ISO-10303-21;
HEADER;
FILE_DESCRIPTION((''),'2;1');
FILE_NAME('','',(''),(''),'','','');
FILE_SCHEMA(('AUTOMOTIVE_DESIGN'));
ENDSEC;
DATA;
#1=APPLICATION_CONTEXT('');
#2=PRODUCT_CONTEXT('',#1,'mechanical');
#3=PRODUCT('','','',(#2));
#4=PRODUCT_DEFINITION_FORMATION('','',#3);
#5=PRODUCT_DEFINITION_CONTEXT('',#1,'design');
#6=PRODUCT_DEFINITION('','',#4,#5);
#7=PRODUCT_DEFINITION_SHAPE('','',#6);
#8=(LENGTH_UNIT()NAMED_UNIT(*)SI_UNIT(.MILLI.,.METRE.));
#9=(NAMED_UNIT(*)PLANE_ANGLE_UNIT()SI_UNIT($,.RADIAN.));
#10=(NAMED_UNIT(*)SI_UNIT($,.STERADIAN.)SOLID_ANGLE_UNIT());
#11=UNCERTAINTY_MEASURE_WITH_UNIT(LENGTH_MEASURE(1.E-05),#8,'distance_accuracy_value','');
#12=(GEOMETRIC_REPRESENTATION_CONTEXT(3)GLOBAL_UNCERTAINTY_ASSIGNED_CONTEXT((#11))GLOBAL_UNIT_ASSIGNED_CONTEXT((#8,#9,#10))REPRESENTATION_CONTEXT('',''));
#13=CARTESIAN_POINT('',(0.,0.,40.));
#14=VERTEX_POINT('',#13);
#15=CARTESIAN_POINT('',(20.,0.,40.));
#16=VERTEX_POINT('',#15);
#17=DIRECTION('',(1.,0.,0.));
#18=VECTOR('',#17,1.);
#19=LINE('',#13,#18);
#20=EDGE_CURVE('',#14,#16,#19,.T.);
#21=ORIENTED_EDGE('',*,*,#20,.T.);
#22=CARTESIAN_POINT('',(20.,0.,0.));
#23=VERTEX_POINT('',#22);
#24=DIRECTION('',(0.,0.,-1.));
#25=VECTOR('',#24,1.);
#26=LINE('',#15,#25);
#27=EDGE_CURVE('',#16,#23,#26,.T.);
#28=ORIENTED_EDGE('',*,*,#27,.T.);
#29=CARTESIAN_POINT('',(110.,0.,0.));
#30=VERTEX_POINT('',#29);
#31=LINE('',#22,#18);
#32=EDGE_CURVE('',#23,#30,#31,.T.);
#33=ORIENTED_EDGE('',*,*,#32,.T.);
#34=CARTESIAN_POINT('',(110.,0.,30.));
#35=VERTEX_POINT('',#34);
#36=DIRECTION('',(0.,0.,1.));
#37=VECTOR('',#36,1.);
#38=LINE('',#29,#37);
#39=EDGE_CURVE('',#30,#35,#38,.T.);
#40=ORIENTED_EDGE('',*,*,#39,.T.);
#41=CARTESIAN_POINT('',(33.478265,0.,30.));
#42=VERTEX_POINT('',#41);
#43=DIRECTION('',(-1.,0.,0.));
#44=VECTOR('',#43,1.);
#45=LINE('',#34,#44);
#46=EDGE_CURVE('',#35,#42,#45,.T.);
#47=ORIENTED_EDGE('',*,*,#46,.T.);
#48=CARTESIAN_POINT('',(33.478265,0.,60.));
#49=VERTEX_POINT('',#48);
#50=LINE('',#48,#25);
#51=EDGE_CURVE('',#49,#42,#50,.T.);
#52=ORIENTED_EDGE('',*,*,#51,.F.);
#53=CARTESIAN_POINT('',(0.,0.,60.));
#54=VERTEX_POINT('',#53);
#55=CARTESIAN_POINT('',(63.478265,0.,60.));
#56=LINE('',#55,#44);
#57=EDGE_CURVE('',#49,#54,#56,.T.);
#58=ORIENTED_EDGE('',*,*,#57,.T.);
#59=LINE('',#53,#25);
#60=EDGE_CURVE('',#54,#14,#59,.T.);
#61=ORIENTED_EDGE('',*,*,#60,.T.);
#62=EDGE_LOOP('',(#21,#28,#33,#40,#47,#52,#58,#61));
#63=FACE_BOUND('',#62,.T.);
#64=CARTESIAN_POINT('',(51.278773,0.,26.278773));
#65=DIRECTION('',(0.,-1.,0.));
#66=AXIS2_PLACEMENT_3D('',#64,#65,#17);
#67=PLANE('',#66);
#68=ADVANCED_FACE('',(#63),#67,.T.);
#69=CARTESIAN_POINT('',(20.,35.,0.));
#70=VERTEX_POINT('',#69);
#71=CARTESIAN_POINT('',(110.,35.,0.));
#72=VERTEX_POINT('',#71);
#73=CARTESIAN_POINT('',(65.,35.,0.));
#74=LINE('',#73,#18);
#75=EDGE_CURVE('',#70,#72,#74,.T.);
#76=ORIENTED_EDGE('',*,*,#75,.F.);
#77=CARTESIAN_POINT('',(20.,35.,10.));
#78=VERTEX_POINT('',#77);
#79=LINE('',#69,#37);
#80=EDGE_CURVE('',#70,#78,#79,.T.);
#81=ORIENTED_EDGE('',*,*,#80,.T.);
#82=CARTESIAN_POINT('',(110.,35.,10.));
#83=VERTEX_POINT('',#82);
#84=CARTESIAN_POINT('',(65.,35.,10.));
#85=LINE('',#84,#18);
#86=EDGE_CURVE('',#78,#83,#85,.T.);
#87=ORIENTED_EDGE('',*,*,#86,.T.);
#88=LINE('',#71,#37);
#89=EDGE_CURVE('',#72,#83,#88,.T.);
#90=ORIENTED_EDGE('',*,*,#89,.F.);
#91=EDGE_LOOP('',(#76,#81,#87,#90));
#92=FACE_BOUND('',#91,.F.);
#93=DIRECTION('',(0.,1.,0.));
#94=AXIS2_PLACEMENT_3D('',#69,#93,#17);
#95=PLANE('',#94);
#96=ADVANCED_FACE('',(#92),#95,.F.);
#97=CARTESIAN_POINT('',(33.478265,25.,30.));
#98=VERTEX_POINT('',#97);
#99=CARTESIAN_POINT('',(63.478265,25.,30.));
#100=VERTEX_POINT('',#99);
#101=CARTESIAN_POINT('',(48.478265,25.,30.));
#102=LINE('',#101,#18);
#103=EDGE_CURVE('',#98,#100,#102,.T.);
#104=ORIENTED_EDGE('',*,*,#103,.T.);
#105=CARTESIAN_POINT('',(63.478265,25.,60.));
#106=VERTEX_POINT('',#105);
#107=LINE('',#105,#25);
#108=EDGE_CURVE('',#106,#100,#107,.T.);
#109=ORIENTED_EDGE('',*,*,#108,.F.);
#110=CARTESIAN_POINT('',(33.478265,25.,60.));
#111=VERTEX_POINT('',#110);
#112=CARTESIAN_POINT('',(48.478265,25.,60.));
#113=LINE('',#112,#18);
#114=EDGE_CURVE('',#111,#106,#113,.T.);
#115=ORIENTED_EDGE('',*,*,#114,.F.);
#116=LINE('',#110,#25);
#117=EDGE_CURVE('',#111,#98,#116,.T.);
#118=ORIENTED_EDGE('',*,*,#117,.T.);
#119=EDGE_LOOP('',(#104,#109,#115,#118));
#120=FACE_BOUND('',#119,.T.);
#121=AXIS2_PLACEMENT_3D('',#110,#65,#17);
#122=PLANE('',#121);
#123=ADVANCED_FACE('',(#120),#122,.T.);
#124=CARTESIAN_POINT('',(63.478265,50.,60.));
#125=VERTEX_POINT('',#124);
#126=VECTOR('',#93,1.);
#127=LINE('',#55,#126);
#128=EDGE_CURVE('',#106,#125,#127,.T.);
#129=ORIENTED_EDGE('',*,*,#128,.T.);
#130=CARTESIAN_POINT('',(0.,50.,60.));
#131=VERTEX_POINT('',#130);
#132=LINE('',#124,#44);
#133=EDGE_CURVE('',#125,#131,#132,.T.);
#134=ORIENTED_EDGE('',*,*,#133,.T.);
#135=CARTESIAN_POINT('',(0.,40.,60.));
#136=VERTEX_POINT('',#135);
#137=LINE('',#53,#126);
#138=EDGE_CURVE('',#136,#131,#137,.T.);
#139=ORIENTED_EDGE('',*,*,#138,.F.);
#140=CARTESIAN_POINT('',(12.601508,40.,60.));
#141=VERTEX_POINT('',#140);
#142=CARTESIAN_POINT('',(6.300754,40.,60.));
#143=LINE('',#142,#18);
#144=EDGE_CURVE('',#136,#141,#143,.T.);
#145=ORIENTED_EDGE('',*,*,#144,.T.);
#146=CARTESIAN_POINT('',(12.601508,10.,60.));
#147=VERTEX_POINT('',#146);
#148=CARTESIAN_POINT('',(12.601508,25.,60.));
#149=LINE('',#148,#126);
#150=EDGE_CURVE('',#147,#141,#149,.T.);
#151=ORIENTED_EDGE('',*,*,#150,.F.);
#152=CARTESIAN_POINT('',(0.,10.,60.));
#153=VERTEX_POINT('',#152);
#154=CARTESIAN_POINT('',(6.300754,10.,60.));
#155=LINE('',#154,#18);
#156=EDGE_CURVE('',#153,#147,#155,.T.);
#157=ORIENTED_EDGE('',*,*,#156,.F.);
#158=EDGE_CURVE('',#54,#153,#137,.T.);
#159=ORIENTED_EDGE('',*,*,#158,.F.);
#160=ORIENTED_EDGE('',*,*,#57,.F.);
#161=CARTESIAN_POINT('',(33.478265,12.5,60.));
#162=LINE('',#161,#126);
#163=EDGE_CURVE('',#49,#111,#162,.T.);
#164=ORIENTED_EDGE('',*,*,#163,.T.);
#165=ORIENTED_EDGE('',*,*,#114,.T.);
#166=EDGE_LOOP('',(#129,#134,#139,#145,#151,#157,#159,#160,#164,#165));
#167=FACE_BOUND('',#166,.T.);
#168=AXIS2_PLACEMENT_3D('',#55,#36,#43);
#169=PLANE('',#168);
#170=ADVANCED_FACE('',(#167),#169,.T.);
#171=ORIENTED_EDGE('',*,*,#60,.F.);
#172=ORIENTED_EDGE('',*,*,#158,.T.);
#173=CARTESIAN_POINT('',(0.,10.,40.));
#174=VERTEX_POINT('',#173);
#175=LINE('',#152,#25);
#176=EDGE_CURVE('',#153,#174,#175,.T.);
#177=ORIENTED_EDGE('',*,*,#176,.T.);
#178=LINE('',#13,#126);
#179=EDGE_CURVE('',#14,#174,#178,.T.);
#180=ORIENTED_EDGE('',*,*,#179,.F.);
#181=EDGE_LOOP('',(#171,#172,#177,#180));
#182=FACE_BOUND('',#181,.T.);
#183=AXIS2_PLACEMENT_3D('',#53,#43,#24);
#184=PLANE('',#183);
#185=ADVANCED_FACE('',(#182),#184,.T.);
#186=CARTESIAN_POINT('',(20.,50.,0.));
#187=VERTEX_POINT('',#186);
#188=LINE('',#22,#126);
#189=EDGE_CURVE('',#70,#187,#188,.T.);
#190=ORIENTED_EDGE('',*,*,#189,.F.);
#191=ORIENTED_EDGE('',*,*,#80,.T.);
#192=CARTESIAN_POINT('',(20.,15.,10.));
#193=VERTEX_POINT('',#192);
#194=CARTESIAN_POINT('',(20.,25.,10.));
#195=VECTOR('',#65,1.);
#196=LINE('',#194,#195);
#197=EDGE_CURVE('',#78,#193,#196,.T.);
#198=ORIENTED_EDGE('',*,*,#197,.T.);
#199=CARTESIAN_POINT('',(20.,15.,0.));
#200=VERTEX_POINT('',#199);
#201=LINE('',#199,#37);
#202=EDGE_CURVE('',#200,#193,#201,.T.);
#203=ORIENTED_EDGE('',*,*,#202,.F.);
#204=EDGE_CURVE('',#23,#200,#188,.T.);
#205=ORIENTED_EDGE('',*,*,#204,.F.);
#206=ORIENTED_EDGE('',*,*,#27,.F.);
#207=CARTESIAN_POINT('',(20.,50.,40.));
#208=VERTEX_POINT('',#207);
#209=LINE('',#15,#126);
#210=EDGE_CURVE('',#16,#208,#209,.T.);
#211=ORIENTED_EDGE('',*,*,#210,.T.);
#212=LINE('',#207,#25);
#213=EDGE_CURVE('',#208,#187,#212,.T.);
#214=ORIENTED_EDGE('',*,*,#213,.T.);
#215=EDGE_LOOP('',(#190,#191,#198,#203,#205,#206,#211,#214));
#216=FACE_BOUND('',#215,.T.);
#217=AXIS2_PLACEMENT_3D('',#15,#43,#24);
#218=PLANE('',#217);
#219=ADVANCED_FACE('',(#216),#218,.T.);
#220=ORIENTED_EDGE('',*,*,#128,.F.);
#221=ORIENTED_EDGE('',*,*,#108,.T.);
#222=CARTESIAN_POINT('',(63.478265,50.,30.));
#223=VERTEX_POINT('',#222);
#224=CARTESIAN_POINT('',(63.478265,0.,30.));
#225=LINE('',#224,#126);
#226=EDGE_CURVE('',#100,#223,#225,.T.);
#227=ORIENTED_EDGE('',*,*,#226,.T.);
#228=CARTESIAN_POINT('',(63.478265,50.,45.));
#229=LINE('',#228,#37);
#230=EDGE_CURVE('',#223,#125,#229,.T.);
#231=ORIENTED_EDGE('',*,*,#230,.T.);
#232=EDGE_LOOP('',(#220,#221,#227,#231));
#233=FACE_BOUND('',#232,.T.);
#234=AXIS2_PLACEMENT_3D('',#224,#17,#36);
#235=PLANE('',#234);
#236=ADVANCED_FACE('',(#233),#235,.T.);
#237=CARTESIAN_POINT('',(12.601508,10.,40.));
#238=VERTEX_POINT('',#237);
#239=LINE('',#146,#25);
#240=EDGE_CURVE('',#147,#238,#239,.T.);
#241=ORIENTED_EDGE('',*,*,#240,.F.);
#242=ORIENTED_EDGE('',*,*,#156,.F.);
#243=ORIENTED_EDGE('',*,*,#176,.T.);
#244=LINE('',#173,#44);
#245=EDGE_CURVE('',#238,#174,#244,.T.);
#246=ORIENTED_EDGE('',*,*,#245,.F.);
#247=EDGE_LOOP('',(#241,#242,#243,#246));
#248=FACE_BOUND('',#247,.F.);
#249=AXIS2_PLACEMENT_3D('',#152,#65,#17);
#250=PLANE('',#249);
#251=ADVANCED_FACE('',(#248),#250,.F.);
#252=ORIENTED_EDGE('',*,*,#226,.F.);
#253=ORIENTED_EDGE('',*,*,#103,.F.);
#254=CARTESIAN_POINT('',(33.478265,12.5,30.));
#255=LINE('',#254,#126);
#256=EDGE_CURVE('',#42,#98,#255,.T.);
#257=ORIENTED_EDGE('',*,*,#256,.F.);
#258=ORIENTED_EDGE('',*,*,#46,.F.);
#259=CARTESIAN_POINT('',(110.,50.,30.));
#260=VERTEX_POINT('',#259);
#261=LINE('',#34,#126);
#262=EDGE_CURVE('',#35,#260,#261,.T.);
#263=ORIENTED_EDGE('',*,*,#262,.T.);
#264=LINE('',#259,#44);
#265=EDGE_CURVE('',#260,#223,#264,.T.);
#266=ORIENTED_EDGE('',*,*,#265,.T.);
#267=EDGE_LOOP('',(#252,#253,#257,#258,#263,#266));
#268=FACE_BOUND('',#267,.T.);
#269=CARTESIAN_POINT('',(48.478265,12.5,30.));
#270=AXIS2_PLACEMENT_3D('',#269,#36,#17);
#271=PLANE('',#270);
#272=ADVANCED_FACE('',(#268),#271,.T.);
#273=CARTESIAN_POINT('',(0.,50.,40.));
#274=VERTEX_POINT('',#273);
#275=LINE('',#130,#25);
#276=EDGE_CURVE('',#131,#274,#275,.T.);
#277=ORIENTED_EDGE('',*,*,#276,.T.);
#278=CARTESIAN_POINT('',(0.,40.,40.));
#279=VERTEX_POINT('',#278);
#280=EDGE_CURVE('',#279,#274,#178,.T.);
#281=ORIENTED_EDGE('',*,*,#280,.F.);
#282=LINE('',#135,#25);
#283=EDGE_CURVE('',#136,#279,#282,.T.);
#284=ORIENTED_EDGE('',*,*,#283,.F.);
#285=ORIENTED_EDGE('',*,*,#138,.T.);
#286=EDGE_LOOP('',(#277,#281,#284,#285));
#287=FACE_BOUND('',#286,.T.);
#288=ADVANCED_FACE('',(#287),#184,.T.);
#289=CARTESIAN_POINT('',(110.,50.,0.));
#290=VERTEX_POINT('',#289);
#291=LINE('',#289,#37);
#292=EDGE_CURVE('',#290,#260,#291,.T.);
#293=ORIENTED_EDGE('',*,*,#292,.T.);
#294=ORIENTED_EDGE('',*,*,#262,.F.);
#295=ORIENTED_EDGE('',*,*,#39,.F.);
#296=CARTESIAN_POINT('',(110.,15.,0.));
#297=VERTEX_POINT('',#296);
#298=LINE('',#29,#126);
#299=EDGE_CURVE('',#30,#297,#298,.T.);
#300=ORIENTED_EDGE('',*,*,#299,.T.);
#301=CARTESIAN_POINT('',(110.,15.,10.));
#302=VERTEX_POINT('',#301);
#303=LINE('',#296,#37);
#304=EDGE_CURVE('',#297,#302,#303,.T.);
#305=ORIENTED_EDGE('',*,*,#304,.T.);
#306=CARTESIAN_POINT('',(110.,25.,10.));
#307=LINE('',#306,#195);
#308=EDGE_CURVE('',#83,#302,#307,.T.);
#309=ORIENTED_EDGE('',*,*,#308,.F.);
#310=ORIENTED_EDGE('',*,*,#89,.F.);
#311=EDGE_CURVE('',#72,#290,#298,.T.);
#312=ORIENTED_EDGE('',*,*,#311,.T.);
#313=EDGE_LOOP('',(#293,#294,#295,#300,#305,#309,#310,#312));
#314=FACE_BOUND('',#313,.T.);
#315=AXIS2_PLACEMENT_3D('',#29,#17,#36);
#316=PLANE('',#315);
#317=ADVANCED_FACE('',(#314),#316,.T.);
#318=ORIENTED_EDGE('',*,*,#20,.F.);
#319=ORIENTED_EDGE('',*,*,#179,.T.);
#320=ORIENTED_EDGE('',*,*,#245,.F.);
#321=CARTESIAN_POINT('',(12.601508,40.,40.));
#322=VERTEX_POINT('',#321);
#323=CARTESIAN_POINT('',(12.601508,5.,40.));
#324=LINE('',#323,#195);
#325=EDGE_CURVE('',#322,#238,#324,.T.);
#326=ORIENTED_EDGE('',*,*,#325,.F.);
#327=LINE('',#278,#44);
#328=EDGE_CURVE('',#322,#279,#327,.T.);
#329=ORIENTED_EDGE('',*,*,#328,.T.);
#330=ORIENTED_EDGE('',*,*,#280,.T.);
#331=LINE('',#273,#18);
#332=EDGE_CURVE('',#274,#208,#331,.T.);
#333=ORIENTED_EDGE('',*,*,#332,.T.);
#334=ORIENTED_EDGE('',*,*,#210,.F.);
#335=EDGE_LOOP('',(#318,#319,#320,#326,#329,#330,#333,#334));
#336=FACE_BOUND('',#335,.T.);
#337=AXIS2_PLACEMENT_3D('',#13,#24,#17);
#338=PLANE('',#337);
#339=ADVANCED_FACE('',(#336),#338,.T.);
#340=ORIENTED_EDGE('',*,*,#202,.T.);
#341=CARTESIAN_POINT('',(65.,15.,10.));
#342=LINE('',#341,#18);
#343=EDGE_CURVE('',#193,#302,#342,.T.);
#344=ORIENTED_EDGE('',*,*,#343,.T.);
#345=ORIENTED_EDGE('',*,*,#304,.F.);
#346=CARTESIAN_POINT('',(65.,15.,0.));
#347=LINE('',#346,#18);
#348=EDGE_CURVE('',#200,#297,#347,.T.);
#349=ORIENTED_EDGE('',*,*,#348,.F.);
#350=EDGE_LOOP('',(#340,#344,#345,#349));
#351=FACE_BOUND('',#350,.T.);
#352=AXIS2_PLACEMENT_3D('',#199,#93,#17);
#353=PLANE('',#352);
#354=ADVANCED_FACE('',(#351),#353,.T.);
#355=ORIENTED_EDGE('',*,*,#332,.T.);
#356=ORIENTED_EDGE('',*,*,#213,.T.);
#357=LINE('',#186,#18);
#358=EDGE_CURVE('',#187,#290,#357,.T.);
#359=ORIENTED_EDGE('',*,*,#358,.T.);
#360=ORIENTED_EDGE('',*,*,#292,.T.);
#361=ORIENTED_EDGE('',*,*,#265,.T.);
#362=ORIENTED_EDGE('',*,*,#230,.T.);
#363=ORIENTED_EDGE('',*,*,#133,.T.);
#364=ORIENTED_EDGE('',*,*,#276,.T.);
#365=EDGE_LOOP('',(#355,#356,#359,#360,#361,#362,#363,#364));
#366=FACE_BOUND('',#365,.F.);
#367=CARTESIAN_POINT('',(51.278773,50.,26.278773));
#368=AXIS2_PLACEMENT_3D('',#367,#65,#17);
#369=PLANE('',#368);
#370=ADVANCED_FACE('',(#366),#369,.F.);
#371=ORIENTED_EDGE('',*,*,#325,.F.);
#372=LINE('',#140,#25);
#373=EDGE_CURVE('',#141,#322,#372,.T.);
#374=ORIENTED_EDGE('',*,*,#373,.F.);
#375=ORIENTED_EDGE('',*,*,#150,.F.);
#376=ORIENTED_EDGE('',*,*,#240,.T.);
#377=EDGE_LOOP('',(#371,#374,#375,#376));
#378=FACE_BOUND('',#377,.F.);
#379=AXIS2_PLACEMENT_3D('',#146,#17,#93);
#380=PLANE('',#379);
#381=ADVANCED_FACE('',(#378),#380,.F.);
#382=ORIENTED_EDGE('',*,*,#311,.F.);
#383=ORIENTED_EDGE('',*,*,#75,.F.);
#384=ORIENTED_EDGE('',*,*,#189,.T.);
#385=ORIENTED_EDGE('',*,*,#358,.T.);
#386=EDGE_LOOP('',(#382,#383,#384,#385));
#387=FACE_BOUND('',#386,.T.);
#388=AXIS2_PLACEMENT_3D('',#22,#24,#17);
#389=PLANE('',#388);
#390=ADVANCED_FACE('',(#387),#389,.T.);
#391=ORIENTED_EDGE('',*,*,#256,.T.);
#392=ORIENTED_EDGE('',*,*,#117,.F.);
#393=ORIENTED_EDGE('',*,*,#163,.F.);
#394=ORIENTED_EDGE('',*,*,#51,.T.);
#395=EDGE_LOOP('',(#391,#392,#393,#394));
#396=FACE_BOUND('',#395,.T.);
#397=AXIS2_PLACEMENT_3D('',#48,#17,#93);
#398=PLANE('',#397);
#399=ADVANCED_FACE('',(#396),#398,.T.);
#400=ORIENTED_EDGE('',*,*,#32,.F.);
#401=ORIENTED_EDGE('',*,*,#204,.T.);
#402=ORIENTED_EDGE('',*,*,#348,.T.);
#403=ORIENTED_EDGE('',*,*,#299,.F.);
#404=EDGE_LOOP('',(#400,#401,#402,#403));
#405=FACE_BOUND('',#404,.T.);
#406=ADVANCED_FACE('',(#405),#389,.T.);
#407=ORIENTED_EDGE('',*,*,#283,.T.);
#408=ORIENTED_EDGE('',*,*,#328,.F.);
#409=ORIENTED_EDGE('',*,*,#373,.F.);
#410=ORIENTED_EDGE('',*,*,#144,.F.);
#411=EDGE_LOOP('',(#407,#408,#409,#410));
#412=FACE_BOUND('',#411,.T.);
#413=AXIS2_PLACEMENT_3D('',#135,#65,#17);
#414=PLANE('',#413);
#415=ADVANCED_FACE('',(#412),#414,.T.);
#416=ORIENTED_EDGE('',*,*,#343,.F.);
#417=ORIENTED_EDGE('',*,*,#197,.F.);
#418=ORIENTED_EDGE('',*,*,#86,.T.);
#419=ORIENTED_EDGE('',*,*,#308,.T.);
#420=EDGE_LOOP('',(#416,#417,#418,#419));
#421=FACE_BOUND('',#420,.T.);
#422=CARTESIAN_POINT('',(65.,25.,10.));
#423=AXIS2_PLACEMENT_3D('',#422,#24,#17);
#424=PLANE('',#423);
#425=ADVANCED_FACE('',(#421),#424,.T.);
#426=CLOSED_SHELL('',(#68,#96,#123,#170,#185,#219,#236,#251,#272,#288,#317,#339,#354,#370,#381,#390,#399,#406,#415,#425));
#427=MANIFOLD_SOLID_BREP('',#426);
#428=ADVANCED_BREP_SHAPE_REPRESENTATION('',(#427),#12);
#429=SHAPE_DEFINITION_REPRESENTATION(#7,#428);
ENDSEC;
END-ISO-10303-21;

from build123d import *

# Parameters (mm, degrees)
F1_W     = 22.3188386493
F1_H     = 30
F2_DEPTH = 50
F3_W     = 30
F3_H     = 25
F4_DEPTH = 30
F5_W     = 12.6015079648
F5_H     = 30
F6_DEPTH = 60
F7_W     = 90
F7_H     = 20
F8_DEPTH = 10


with BuildPart() as f2:
    # F1 (on Front) → F2 (new body)
    with BuildSketch(Plane.XZ):
        Polygon((20, 40), (20, 0), (110, 0), (110, 30), (63.4782647698, 30), (41.1594261205, 30), (41.1594261205, 60), (0, 60), (0, 40), align=None)
        with Locations((52.3188454451, 45)):
            Rectangle(F1_W, F1_H)
    extrude(amount=-F2_DEPTH)

    # F3 (on face) → F4 (cut)
    with BuildSketch(Plane.XY.offset(60)):
        with Locations((48.4782647698, 12.5)):
            Rectangle(F3_W, F3_H)
    extrude(amount=-F4_DEPTH, mode=Mode.SUBTRACT)

    # F5 (on face) → F6 (cut)
    with BuildSketch(Plane.XY.offset(60)):
        with Locations((6.3007539824, 25)):
            Rectangle(F5_W, F5_H)
    extrude(amount=-F6_DEPTH, mode=Mode.SUBTRACT)

    # F7 (on face) → F8 (cut)
    with BuildSketch(Plane(origin=(0, 0, 0), x_dir=(1, 0, 0), z_dir=(0, 0, -1))):
        with Locations((65, -25)):
            Rectangle(F7_W, F7_H)
    extrude(amount=-F8_DEPTH, mode=Mode.SUBTRACT)


solid = f2.part
